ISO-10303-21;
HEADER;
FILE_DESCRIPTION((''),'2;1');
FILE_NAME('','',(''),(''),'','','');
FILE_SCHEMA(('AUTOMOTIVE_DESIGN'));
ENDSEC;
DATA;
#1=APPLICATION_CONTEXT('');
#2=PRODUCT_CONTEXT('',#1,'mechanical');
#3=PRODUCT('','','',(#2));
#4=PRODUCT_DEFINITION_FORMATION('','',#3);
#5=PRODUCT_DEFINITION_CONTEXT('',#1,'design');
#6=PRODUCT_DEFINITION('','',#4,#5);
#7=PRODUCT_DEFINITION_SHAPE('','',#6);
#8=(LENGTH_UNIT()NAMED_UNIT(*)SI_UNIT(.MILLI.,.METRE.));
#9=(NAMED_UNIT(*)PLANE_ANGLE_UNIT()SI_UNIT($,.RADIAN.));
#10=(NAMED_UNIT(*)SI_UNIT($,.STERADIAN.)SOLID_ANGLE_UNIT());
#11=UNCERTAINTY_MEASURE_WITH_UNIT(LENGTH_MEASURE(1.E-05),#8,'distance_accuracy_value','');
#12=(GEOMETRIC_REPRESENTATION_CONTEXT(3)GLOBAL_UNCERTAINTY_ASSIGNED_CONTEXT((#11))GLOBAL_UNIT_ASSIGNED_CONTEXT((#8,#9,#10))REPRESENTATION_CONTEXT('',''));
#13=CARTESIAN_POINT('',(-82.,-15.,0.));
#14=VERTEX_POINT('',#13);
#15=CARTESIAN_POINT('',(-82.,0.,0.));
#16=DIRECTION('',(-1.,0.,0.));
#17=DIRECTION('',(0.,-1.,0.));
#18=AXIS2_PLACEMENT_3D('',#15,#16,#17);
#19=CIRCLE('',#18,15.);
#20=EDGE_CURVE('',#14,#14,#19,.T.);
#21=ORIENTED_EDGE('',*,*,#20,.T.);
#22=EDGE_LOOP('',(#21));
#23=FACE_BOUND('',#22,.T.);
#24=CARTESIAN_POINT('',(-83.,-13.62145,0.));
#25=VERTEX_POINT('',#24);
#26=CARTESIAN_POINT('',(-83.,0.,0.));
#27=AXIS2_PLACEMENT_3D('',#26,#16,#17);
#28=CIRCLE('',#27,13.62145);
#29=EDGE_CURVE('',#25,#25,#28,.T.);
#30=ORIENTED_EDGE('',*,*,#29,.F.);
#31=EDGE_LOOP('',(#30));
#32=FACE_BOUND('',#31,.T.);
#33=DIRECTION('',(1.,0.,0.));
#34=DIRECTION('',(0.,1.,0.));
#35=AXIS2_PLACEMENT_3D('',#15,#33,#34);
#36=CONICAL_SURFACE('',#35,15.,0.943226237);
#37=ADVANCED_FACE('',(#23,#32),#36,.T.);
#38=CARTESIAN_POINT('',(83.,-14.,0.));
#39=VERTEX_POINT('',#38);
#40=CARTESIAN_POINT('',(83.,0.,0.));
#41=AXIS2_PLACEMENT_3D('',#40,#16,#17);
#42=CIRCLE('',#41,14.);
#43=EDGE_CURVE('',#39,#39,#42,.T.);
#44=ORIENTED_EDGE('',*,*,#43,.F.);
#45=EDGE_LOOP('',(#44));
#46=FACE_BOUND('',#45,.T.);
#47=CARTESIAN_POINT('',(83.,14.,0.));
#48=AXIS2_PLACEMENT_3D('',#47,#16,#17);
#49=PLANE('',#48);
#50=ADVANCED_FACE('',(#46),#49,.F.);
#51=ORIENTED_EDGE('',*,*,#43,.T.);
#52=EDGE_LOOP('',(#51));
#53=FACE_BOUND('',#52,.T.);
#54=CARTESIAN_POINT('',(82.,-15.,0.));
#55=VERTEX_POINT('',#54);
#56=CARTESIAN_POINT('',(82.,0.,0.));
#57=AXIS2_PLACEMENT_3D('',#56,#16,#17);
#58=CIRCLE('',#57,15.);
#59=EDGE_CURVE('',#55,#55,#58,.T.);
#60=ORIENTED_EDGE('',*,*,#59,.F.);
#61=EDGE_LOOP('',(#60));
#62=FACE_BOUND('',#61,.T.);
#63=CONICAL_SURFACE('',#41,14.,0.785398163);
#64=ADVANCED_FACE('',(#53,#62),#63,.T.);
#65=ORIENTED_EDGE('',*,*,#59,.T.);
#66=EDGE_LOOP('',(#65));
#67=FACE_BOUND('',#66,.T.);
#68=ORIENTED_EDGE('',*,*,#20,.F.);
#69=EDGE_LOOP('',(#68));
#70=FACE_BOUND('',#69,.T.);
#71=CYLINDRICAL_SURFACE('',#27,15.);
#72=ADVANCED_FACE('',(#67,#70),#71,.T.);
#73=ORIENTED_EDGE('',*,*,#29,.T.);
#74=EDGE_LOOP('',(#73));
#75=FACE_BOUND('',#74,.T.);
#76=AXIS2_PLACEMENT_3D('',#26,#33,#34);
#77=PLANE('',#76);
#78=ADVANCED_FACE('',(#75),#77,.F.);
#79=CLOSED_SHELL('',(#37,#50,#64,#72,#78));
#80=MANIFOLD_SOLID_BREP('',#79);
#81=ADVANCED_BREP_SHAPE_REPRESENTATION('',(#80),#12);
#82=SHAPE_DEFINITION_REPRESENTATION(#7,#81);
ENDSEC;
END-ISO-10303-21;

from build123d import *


with BuildPart() as part:
    # Skizze12 → Rotation1 (revolve)
    with BuildSketch(Plane.XY, mode=Mode.PRIVATE) as rotation1_sk:
        Polygon((-83, 0), (-83, 13.621449538), (-82, 15), (82, 15), (83, 14), (83, 0), align=None)
    revolve(rotation1_sk.sketch.rotate(Axis((-83, 0, 0), (1, 0, 0)), 180), axis=Axis((-83, 0, 0), (1, 0, 0)))


solid = part.part
